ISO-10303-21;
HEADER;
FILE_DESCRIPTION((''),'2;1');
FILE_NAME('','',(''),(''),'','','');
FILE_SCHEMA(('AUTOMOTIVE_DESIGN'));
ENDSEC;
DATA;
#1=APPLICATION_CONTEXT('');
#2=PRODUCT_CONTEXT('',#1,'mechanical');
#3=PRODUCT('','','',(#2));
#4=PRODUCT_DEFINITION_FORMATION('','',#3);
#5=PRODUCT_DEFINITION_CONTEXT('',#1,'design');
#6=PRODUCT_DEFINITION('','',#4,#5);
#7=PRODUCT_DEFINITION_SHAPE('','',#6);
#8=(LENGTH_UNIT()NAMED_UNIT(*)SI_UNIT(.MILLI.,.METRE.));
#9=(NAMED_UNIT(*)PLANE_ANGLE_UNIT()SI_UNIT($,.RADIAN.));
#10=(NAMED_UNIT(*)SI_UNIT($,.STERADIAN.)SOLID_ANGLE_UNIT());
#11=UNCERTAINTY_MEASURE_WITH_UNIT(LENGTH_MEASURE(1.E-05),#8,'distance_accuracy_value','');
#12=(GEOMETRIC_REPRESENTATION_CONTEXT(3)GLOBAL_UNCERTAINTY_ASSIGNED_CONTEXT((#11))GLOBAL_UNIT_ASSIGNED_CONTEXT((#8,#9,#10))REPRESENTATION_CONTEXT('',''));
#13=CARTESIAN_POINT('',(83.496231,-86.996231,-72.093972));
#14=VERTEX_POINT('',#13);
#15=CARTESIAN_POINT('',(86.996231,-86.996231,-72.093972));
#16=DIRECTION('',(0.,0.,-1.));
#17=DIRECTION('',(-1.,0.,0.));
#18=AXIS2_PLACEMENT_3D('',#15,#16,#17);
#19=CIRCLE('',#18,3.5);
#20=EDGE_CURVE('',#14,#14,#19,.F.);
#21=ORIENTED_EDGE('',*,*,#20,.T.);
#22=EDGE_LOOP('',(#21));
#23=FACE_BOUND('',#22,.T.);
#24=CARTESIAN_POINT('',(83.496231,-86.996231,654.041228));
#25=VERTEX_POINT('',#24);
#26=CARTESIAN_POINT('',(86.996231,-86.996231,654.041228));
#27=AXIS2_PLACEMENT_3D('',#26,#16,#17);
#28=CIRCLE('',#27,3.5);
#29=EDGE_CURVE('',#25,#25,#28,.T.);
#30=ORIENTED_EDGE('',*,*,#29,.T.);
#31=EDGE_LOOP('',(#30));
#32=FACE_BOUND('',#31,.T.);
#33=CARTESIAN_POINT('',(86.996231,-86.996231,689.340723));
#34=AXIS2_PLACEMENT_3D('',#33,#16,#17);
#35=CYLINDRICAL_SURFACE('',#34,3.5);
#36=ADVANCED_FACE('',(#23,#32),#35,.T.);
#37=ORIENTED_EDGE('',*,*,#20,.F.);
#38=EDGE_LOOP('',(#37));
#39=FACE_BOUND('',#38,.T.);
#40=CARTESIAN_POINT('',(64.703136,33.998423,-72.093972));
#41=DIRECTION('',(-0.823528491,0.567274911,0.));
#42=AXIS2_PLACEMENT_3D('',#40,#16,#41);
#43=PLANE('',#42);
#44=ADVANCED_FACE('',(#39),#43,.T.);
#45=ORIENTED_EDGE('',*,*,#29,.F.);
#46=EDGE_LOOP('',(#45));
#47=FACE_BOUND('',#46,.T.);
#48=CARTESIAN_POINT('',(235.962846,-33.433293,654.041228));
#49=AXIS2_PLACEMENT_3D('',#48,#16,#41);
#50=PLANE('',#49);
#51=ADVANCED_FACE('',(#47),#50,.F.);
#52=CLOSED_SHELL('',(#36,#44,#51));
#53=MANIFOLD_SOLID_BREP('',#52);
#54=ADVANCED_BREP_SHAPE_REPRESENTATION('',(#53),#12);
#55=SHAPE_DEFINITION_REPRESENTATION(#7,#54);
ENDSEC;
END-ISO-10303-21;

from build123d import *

# Parameters (mm, degrees)
SKETCH1_R                = 3.5
BOSS_EXTRUDE1_DEPTH      = 654.041228
BOSS_EXTRUDE1_DEPTH_BACK = 72.093972


with BuildPart() as part:
    # Sketch1 → Boss-Extrude1 (new body, two sides)
    with BuildSketch(Plane.XY) as boss_extrude1_sk:
        with Locations((86.996231173, -86.996231173)):
            Circle(SKETCH1_R)
    extrude(amount=BOSS_EXTRUDE1_DEPTH)
    extrude(boss_extrude1_sk.sketch, amount=-BOSS_EXTRUDE1_DEPTH_BACK)


solid = part.part
